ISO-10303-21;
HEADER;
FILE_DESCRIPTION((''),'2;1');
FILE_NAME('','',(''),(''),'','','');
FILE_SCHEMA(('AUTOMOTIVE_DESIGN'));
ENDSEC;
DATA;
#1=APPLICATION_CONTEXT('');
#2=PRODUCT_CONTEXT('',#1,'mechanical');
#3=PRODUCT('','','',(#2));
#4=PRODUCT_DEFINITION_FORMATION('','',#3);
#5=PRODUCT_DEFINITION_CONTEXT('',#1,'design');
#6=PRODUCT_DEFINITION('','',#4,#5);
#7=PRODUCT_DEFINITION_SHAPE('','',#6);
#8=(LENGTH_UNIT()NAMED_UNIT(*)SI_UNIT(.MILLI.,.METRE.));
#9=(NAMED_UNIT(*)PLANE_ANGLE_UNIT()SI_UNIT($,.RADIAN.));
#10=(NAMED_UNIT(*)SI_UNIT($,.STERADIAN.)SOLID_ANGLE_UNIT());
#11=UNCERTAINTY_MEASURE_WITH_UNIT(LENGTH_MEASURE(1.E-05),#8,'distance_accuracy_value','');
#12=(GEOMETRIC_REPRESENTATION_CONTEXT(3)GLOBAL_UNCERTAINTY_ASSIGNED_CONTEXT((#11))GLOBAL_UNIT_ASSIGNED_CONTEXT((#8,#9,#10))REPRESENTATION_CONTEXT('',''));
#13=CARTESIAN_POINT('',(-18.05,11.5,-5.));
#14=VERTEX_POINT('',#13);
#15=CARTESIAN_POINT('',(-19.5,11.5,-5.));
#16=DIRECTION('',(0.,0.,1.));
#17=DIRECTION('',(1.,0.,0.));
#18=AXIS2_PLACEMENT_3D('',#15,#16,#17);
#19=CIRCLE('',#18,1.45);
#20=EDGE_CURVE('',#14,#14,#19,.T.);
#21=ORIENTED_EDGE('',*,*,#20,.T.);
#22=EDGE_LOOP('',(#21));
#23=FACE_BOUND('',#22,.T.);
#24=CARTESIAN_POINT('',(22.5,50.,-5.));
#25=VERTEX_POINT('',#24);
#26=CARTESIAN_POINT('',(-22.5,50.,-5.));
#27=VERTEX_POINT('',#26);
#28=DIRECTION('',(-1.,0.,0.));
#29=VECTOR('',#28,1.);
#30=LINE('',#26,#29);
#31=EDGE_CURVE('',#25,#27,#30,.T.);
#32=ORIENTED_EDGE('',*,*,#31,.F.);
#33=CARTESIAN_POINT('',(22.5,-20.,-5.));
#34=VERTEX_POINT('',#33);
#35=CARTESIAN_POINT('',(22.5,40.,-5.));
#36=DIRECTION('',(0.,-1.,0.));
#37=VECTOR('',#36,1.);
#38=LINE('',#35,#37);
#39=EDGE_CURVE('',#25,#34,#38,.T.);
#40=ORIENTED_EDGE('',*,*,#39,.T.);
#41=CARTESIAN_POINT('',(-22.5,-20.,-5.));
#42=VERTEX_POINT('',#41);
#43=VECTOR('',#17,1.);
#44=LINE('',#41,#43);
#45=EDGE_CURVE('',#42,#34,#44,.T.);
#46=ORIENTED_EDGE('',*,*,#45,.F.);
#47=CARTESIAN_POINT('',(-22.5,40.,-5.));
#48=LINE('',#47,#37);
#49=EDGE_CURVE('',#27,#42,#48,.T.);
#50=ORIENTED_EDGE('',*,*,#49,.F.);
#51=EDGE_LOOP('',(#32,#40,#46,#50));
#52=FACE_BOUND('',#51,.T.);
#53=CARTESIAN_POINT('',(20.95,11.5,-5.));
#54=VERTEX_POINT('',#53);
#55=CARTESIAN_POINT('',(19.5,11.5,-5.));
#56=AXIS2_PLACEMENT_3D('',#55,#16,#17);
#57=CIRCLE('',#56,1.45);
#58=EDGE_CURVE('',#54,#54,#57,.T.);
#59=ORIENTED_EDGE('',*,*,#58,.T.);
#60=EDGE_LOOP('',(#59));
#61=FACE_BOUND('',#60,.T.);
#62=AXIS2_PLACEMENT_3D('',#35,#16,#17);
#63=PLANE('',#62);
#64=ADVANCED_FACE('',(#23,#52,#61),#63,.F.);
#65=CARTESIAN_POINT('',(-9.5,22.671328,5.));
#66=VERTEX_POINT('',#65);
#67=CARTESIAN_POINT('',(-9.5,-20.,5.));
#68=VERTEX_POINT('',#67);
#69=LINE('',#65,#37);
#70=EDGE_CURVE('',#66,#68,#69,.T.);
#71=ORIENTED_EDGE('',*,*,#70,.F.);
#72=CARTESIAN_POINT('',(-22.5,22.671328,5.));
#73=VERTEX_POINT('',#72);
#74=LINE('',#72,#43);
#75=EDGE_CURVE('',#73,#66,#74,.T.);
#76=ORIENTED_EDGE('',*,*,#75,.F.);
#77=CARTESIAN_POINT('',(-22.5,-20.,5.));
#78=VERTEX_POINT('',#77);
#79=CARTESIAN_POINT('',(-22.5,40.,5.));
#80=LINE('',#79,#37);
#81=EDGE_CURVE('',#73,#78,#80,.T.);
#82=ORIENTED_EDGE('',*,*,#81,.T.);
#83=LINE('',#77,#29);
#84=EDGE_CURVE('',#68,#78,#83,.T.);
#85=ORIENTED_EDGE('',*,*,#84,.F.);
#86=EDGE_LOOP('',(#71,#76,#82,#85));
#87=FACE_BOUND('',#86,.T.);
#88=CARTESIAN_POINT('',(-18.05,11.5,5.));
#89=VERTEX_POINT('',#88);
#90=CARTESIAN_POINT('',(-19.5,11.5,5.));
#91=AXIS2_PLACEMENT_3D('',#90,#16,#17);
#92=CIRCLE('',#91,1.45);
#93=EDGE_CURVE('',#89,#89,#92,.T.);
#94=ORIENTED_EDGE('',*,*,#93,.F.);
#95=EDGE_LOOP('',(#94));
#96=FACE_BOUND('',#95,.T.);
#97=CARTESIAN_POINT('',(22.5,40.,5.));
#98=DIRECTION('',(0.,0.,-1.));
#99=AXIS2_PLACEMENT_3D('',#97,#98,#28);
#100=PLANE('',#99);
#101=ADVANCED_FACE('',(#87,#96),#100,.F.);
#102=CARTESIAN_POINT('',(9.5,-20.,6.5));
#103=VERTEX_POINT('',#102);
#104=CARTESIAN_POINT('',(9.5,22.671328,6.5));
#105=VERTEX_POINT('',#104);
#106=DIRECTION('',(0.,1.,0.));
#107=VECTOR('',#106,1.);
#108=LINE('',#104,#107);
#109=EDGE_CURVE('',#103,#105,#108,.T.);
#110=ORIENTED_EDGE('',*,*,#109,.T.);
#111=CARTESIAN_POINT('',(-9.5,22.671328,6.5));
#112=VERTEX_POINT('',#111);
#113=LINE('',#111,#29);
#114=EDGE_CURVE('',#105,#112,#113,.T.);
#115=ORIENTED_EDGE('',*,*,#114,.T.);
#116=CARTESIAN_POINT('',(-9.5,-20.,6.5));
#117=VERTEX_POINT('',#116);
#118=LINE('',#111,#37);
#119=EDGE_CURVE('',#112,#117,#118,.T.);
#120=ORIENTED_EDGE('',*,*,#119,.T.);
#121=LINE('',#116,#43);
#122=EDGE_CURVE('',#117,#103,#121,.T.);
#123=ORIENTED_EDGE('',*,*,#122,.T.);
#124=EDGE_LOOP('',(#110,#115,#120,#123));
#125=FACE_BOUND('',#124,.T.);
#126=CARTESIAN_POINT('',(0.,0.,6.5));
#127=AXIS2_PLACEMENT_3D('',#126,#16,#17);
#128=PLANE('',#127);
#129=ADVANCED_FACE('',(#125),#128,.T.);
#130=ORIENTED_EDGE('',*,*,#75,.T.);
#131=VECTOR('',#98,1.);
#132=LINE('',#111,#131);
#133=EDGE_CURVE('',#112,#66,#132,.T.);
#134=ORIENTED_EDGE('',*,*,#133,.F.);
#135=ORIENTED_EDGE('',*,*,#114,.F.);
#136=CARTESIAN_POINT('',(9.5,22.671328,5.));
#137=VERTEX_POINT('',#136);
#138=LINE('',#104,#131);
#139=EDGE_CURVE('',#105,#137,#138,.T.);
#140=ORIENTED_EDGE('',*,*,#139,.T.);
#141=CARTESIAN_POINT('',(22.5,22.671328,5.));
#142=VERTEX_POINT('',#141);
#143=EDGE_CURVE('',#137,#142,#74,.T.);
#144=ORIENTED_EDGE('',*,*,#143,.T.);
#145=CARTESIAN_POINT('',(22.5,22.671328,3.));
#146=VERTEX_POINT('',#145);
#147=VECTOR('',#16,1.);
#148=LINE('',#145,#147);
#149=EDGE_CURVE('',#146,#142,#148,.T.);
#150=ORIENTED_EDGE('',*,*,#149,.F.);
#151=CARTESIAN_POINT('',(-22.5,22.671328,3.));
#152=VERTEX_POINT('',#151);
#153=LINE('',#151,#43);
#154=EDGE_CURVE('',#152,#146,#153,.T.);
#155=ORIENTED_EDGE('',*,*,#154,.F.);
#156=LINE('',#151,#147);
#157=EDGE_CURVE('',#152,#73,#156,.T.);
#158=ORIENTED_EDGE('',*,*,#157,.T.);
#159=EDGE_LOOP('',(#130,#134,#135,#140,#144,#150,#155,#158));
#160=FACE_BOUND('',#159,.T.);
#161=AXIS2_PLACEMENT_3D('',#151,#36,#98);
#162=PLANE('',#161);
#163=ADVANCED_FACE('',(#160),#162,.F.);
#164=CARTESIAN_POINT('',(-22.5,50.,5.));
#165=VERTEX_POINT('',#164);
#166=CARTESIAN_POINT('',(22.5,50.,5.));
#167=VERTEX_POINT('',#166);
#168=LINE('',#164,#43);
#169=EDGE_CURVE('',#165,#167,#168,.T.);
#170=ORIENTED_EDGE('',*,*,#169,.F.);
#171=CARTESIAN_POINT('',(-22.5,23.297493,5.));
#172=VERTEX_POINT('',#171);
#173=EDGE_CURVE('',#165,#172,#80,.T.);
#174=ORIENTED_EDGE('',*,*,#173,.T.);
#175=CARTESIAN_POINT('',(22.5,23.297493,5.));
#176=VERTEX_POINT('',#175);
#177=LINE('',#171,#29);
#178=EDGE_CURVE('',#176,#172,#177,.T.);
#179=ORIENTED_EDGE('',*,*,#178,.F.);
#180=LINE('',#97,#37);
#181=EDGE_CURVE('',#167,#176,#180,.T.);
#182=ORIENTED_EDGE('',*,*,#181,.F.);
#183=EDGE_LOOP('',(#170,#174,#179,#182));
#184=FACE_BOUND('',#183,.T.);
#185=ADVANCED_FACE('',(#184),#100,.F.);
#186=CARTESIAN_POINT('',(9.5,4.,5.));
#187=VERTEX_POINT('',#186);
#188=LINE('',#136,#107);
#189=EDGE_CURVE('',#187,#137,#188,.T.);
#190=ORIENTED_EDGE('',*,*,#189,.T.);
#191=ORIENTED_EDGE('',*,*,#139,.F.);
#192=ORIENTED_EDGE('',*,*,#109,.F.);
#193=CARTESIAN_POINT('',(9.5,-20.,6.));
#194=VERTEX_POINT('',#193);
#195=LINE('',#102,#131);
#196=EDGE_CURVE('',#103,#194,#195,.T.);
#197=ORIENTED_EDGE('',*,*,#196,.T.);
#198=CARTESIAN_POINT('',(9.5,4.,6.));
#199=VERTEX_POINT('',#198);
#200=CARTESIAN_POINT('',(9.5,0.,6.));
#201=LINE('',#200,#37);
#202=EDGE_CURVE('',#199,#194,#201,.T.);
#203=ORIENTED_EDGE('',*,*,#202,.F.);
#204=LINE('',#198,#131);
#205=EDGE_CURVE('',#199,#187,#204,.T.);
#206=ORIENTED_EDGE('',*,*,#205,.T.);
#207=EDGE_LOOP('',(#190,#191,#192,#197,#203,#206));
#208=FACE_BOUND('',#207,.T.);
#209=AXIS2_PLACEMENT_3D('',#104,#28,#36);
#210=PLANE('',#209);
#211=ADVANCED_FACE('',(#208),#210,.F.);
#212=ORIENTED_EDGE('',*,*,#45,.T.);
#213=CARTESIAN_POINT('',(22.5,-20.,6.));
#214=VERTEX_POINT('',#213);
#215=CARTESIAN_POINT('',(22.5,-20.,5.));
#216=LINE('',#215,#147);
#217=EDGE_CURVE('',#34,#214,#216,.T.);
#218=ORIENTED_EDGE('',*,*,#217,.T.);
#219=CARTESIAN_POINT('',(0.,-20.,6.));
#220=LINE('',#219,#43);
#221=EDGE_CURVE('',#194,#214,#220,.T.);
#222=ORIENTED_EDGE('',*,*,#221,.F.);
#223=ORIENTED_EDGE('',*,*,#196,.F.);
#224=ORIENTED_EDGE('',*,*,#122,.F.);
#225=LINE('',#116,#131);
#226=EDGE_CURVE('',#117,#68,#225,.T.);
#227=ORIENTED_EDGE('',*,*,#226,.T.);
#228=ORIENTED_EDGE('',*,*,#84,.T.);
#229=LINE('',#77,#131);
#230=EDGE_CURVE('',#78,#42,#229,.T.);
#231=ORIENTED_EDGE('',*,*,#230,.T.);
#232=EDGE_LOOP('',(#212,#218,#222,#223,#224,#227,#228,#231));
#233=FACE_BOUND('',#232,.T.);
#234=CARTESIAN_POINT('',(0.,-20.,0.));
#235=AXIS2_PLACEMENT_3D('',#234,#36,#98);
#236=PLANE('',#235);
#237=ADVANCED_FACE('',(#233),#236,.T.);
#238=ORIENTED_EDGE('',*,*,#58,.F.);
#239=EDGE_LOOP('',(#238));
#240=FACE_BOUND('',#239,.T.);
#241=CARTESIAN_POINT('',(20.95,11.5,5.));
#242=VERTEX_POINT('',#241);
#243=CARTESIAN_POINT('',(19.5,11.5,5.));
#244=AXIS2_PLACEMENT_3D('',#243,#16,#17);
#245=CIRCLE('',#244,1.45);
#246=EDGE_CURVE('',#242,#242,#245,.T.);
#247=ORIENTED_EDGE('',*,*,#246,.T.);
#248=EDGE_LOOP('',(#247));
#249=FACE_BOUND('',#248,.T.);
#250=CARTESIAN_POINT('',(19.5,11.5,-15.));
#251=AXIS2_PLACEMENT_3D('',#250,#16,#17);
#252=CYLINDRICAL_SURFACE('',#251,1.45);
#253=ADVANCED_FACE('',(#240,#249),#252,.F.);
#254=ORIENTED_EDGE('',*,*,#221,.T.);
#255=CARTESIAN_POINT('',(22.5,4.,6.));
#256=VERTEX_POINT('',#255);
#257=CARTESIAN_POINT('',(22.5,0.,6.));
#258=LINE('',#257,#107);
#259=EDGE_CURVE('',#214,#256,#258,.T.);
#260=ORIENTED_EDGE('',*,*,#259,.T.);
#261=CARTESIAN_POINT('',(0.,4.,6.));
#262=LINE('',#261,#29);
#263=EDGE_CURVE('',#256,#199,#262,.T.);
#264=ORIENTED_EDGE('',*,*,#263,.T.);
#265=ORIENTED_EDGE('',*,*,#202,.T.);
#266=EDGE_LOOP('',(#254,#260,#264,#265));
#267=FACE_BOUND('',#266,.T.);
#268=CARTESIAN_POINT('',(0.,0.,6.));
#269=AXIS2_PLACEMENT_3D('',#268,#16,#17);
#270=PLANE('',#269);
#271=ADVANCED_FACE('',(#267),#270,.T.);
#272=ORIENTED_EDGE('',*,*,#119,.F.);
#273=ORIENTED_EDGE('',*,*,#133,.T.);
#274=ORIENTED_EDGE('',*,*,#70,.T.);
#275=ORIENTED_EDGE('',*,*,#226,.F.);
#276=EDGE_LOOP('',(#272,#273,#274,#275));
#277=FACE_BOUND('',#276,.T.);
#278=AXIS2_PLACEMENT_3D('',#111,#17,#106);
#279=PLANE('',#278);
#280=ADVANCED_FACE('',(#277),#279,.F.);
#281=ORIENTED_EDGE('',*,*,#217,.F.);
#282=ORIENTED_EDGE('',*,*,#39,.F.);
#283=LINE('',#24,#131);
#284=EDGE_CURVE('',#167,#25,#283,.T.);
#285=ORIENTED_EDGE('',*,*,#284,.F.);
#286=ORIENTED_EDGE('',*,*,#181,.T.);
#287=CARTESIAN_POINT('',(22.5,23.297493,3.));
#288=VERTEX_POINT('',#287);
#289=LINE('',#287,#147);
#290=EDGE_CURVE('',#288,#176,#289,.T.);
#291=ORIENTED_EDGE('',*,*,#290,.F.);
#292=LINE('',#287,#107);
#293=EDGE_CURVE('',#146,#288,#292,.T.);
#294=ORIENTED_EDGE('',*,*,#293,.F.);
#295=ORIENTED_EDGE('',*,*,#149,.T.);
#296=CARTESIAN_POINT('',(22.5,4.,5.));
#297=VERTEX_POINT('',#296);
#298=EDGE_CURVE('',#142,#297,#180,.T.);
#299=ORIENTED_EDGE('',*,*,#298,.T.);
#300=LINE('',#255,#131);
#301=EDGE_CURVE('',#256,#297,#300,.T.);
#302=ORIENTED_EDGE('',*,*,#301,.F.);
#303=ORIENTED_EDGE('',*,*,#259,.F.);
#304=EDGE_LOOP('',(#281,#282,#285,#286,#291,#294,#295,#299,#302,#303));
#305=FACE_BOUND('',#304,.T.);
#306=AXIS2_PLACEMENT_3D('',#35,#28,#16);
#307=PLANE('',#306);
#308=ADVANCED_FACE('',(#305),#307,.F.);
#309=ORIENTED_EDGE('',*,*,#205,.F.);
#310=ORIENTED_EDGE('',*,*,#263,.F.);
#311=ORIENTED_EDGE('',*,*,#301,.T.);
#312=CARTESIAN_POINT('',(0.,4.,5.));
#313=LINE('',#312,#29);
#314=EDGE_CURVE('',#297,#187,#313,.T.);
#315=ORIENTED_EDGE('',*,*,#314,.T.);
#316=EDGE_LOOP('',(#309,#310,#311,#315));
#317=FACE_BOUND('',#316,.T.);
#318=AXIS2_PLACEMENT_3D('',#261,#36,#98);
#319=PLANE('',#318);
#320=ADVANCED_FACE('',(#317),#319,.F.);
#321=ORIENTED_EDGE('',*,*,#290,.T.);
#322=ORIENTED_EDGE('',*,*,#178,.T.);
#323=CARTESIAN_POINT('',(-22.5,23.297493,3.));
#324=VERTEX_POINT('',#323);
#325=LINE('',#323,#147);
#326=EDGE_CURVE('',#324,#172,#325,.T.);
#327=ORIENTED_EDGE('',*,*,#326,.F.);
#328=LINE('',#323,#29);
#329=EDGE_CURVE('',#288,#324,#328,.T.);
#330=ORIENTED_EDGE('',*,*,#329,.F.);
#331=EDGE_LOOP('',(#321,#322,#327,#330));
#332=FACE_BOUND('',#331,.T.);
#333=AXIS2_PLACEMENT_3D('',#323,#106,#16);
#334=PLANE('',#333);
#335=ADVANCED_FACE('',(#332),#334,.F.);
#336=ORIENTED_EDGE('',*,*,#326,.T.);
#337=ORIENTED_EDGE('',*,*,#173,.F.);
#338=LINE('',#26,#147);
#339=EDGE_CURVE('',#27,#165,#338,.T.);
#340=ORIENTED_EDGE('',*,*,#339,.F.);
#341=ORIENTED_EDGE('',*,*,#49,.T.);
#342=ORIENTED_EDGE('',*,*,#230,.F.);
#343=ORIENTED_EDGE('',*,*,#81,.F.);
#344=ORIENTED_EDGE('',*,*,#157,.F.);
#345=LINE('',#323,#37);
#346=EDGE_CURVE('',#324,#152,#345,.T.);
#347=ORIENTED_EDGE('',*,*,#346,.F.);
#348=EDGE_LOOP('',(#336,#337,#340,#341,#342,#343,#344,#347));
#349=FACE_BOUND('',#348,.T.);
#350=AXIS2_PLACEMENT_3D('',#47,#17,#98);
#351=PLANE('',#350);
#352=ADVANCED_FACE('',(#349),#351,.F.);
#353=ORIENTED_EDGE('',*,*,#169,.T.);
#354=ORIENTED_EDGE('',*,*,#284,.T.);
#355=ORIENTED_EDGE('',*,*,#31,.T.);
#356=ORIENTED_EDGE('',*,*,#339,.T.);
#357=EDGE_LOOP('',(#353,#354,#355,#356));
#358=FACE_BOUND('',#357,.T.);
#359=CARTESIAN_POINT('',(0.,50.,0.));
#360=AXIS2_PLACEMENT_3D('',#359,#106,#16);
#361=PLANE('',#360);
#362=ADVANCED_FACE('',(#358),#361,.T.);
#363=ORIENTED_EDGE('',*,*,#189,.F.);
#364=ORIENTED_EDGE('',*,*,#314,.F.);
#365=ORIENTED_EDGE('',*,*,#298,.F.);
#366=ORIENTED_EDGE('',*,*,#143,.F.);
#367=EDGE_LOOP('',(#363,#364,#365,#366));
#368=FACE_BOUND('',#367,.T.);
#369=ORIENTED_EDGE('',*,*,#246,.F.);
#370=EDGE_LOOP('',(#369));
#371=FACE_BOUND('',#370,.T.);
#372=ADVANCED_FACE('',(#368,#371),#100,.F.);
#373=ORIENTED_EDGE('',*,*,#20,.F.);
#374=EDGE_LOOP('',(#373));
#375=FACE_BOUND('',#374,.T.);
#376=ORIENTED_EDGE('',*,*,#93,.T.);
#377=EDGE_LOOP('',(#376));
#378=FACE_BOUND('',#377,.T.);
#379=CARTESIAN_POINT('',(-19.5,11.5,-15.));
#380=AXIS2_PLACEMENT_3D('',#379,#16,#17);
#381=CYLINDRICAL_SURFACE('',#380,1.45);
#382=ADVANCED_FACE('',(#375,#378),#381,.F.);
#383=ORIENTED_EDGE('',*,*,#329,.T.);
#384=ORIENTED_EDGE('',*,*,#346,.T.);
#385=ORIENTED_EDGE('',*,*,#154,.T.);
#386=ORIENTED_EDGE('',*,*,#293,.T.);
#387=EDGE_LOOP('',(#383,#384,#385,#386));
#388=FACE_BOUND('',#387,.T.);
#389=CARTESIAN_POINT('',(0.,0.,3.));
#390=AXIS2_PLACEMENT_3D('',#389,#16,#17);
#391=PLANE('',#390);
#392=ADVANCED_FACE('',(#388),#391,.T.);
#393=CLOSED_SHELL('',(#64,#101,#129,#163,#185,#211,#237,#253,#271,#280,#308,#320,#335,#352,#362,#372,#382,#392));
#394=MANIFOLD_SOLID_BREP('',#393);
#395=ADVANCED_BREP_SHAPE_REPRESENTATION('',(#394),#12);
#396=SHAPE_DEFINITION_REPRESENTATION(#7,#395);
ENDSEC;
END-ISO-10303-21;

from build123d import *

# Parameters (mm, degrees)
SKETCH2_W           = 45
SKETCH2_H           = 10
BOSS_EXTRUDE1_DEPTH = 40
SKETCH4_W           = 45
SKETCH4_H           = 10
BOSS_EXTRUDE2_DEPTH = 10
SKETCH8_W           = 45
SKETCH8_H           = 10
BOSS_EXTRUDE3_DEPTH = 20
SKETCH9_R           = 1.45
CUT_EXTRUDE2_DEPTH  = 20
SKETCH10_W          = 45
SKETCH10_H          = 0.626165357
CUT_EXTRUDE3_DEPTH  = 2
SKETCH11_W          = 19
SKETCH11_H          = 42.671327575
BOSS_EXTRUDE4_DEPTH = 1.5
SKETCH12_W          = 13
SKETCH12_H          = 24
BOSS_EXTRUDE5_DEPTH = 1


with BuildPart() as part:
    # Sketch2 → Boss-Extrude1 (new body)
    with BuildSketch(Plane(origin=(0, 0, 0), x_dir=(1, 0, 0), z_dir=(0, 1, 0))):
        Rectangle(SKETCH2_W, SKETCH2_H)
    extrude(amount=BOSS_EXTRUDE1_DEPTH)

    # Sketch4 → Boss-Extrude2 (add)
    with BuildSketch(Plane(origin=(0, 40, 0), x_dir=(1, 0, 0), z_dir=(0, 1, 0))):
        Rectangle(SKETCH4_W, SKETCH4_H)
    extrude(amount=BOSS_EXTRUDE2_DEPTH)

    # Sketch8 → Boss-Extrude3 (add)
    with BuildSketch(Plane.XZ):
        Rectangle(SKETCH8_W, SKETCH8_H)
    extrude(amount=BOSS_EXTRUDE3_DEPTH)

    # Sketch9 → Cut-Extrude2 (cut)
    with BuildSketch(Plane.XY.offset(5)):
        with Locations((19.5, 11.5)):
            Circle(SKETCH9_R)
        with Locations((-19.5, 11.5)):
            Circle(SKETCH9_R)
    extrude(amount=-CUT_EXTRUDE2_DEPTH, mode=Mode.SUBTRACT)

    # Sketch10 → Cut-Extrude3 (cut)
    with BuildSketch(Plane.XY.offset(5)):
        with Locations((0, 22.984410254)):
            Rectangle(SKETCH10_W, SKETCH10_H)
    extrude(amount=-CUT_EXTRUDE3_DEPTH, mode=Mode.SUBTRACT)

    # Sketch11 → Boss-Extrude4 (add)
    with BuildSketch(Plane.XY.offset(5)):
        with Locations((0, 1.335663788)):
            Rectangle(SKETCH11_W, SKETCH11_H)
    extrude(amount=BOSS_EXTRUDE4_DEPTH)

    # Sketch12 → Boss-Extrude5 (add)
    with BuildSketch(Plane.XY.offset(5)):
        with Locations((16, -8)):
            Rectangle(SKETCH12_W, SKETCH12_H)
    extrude(amount=BOSS_EXTRUDE5_DEPTH)


solid = part.part
